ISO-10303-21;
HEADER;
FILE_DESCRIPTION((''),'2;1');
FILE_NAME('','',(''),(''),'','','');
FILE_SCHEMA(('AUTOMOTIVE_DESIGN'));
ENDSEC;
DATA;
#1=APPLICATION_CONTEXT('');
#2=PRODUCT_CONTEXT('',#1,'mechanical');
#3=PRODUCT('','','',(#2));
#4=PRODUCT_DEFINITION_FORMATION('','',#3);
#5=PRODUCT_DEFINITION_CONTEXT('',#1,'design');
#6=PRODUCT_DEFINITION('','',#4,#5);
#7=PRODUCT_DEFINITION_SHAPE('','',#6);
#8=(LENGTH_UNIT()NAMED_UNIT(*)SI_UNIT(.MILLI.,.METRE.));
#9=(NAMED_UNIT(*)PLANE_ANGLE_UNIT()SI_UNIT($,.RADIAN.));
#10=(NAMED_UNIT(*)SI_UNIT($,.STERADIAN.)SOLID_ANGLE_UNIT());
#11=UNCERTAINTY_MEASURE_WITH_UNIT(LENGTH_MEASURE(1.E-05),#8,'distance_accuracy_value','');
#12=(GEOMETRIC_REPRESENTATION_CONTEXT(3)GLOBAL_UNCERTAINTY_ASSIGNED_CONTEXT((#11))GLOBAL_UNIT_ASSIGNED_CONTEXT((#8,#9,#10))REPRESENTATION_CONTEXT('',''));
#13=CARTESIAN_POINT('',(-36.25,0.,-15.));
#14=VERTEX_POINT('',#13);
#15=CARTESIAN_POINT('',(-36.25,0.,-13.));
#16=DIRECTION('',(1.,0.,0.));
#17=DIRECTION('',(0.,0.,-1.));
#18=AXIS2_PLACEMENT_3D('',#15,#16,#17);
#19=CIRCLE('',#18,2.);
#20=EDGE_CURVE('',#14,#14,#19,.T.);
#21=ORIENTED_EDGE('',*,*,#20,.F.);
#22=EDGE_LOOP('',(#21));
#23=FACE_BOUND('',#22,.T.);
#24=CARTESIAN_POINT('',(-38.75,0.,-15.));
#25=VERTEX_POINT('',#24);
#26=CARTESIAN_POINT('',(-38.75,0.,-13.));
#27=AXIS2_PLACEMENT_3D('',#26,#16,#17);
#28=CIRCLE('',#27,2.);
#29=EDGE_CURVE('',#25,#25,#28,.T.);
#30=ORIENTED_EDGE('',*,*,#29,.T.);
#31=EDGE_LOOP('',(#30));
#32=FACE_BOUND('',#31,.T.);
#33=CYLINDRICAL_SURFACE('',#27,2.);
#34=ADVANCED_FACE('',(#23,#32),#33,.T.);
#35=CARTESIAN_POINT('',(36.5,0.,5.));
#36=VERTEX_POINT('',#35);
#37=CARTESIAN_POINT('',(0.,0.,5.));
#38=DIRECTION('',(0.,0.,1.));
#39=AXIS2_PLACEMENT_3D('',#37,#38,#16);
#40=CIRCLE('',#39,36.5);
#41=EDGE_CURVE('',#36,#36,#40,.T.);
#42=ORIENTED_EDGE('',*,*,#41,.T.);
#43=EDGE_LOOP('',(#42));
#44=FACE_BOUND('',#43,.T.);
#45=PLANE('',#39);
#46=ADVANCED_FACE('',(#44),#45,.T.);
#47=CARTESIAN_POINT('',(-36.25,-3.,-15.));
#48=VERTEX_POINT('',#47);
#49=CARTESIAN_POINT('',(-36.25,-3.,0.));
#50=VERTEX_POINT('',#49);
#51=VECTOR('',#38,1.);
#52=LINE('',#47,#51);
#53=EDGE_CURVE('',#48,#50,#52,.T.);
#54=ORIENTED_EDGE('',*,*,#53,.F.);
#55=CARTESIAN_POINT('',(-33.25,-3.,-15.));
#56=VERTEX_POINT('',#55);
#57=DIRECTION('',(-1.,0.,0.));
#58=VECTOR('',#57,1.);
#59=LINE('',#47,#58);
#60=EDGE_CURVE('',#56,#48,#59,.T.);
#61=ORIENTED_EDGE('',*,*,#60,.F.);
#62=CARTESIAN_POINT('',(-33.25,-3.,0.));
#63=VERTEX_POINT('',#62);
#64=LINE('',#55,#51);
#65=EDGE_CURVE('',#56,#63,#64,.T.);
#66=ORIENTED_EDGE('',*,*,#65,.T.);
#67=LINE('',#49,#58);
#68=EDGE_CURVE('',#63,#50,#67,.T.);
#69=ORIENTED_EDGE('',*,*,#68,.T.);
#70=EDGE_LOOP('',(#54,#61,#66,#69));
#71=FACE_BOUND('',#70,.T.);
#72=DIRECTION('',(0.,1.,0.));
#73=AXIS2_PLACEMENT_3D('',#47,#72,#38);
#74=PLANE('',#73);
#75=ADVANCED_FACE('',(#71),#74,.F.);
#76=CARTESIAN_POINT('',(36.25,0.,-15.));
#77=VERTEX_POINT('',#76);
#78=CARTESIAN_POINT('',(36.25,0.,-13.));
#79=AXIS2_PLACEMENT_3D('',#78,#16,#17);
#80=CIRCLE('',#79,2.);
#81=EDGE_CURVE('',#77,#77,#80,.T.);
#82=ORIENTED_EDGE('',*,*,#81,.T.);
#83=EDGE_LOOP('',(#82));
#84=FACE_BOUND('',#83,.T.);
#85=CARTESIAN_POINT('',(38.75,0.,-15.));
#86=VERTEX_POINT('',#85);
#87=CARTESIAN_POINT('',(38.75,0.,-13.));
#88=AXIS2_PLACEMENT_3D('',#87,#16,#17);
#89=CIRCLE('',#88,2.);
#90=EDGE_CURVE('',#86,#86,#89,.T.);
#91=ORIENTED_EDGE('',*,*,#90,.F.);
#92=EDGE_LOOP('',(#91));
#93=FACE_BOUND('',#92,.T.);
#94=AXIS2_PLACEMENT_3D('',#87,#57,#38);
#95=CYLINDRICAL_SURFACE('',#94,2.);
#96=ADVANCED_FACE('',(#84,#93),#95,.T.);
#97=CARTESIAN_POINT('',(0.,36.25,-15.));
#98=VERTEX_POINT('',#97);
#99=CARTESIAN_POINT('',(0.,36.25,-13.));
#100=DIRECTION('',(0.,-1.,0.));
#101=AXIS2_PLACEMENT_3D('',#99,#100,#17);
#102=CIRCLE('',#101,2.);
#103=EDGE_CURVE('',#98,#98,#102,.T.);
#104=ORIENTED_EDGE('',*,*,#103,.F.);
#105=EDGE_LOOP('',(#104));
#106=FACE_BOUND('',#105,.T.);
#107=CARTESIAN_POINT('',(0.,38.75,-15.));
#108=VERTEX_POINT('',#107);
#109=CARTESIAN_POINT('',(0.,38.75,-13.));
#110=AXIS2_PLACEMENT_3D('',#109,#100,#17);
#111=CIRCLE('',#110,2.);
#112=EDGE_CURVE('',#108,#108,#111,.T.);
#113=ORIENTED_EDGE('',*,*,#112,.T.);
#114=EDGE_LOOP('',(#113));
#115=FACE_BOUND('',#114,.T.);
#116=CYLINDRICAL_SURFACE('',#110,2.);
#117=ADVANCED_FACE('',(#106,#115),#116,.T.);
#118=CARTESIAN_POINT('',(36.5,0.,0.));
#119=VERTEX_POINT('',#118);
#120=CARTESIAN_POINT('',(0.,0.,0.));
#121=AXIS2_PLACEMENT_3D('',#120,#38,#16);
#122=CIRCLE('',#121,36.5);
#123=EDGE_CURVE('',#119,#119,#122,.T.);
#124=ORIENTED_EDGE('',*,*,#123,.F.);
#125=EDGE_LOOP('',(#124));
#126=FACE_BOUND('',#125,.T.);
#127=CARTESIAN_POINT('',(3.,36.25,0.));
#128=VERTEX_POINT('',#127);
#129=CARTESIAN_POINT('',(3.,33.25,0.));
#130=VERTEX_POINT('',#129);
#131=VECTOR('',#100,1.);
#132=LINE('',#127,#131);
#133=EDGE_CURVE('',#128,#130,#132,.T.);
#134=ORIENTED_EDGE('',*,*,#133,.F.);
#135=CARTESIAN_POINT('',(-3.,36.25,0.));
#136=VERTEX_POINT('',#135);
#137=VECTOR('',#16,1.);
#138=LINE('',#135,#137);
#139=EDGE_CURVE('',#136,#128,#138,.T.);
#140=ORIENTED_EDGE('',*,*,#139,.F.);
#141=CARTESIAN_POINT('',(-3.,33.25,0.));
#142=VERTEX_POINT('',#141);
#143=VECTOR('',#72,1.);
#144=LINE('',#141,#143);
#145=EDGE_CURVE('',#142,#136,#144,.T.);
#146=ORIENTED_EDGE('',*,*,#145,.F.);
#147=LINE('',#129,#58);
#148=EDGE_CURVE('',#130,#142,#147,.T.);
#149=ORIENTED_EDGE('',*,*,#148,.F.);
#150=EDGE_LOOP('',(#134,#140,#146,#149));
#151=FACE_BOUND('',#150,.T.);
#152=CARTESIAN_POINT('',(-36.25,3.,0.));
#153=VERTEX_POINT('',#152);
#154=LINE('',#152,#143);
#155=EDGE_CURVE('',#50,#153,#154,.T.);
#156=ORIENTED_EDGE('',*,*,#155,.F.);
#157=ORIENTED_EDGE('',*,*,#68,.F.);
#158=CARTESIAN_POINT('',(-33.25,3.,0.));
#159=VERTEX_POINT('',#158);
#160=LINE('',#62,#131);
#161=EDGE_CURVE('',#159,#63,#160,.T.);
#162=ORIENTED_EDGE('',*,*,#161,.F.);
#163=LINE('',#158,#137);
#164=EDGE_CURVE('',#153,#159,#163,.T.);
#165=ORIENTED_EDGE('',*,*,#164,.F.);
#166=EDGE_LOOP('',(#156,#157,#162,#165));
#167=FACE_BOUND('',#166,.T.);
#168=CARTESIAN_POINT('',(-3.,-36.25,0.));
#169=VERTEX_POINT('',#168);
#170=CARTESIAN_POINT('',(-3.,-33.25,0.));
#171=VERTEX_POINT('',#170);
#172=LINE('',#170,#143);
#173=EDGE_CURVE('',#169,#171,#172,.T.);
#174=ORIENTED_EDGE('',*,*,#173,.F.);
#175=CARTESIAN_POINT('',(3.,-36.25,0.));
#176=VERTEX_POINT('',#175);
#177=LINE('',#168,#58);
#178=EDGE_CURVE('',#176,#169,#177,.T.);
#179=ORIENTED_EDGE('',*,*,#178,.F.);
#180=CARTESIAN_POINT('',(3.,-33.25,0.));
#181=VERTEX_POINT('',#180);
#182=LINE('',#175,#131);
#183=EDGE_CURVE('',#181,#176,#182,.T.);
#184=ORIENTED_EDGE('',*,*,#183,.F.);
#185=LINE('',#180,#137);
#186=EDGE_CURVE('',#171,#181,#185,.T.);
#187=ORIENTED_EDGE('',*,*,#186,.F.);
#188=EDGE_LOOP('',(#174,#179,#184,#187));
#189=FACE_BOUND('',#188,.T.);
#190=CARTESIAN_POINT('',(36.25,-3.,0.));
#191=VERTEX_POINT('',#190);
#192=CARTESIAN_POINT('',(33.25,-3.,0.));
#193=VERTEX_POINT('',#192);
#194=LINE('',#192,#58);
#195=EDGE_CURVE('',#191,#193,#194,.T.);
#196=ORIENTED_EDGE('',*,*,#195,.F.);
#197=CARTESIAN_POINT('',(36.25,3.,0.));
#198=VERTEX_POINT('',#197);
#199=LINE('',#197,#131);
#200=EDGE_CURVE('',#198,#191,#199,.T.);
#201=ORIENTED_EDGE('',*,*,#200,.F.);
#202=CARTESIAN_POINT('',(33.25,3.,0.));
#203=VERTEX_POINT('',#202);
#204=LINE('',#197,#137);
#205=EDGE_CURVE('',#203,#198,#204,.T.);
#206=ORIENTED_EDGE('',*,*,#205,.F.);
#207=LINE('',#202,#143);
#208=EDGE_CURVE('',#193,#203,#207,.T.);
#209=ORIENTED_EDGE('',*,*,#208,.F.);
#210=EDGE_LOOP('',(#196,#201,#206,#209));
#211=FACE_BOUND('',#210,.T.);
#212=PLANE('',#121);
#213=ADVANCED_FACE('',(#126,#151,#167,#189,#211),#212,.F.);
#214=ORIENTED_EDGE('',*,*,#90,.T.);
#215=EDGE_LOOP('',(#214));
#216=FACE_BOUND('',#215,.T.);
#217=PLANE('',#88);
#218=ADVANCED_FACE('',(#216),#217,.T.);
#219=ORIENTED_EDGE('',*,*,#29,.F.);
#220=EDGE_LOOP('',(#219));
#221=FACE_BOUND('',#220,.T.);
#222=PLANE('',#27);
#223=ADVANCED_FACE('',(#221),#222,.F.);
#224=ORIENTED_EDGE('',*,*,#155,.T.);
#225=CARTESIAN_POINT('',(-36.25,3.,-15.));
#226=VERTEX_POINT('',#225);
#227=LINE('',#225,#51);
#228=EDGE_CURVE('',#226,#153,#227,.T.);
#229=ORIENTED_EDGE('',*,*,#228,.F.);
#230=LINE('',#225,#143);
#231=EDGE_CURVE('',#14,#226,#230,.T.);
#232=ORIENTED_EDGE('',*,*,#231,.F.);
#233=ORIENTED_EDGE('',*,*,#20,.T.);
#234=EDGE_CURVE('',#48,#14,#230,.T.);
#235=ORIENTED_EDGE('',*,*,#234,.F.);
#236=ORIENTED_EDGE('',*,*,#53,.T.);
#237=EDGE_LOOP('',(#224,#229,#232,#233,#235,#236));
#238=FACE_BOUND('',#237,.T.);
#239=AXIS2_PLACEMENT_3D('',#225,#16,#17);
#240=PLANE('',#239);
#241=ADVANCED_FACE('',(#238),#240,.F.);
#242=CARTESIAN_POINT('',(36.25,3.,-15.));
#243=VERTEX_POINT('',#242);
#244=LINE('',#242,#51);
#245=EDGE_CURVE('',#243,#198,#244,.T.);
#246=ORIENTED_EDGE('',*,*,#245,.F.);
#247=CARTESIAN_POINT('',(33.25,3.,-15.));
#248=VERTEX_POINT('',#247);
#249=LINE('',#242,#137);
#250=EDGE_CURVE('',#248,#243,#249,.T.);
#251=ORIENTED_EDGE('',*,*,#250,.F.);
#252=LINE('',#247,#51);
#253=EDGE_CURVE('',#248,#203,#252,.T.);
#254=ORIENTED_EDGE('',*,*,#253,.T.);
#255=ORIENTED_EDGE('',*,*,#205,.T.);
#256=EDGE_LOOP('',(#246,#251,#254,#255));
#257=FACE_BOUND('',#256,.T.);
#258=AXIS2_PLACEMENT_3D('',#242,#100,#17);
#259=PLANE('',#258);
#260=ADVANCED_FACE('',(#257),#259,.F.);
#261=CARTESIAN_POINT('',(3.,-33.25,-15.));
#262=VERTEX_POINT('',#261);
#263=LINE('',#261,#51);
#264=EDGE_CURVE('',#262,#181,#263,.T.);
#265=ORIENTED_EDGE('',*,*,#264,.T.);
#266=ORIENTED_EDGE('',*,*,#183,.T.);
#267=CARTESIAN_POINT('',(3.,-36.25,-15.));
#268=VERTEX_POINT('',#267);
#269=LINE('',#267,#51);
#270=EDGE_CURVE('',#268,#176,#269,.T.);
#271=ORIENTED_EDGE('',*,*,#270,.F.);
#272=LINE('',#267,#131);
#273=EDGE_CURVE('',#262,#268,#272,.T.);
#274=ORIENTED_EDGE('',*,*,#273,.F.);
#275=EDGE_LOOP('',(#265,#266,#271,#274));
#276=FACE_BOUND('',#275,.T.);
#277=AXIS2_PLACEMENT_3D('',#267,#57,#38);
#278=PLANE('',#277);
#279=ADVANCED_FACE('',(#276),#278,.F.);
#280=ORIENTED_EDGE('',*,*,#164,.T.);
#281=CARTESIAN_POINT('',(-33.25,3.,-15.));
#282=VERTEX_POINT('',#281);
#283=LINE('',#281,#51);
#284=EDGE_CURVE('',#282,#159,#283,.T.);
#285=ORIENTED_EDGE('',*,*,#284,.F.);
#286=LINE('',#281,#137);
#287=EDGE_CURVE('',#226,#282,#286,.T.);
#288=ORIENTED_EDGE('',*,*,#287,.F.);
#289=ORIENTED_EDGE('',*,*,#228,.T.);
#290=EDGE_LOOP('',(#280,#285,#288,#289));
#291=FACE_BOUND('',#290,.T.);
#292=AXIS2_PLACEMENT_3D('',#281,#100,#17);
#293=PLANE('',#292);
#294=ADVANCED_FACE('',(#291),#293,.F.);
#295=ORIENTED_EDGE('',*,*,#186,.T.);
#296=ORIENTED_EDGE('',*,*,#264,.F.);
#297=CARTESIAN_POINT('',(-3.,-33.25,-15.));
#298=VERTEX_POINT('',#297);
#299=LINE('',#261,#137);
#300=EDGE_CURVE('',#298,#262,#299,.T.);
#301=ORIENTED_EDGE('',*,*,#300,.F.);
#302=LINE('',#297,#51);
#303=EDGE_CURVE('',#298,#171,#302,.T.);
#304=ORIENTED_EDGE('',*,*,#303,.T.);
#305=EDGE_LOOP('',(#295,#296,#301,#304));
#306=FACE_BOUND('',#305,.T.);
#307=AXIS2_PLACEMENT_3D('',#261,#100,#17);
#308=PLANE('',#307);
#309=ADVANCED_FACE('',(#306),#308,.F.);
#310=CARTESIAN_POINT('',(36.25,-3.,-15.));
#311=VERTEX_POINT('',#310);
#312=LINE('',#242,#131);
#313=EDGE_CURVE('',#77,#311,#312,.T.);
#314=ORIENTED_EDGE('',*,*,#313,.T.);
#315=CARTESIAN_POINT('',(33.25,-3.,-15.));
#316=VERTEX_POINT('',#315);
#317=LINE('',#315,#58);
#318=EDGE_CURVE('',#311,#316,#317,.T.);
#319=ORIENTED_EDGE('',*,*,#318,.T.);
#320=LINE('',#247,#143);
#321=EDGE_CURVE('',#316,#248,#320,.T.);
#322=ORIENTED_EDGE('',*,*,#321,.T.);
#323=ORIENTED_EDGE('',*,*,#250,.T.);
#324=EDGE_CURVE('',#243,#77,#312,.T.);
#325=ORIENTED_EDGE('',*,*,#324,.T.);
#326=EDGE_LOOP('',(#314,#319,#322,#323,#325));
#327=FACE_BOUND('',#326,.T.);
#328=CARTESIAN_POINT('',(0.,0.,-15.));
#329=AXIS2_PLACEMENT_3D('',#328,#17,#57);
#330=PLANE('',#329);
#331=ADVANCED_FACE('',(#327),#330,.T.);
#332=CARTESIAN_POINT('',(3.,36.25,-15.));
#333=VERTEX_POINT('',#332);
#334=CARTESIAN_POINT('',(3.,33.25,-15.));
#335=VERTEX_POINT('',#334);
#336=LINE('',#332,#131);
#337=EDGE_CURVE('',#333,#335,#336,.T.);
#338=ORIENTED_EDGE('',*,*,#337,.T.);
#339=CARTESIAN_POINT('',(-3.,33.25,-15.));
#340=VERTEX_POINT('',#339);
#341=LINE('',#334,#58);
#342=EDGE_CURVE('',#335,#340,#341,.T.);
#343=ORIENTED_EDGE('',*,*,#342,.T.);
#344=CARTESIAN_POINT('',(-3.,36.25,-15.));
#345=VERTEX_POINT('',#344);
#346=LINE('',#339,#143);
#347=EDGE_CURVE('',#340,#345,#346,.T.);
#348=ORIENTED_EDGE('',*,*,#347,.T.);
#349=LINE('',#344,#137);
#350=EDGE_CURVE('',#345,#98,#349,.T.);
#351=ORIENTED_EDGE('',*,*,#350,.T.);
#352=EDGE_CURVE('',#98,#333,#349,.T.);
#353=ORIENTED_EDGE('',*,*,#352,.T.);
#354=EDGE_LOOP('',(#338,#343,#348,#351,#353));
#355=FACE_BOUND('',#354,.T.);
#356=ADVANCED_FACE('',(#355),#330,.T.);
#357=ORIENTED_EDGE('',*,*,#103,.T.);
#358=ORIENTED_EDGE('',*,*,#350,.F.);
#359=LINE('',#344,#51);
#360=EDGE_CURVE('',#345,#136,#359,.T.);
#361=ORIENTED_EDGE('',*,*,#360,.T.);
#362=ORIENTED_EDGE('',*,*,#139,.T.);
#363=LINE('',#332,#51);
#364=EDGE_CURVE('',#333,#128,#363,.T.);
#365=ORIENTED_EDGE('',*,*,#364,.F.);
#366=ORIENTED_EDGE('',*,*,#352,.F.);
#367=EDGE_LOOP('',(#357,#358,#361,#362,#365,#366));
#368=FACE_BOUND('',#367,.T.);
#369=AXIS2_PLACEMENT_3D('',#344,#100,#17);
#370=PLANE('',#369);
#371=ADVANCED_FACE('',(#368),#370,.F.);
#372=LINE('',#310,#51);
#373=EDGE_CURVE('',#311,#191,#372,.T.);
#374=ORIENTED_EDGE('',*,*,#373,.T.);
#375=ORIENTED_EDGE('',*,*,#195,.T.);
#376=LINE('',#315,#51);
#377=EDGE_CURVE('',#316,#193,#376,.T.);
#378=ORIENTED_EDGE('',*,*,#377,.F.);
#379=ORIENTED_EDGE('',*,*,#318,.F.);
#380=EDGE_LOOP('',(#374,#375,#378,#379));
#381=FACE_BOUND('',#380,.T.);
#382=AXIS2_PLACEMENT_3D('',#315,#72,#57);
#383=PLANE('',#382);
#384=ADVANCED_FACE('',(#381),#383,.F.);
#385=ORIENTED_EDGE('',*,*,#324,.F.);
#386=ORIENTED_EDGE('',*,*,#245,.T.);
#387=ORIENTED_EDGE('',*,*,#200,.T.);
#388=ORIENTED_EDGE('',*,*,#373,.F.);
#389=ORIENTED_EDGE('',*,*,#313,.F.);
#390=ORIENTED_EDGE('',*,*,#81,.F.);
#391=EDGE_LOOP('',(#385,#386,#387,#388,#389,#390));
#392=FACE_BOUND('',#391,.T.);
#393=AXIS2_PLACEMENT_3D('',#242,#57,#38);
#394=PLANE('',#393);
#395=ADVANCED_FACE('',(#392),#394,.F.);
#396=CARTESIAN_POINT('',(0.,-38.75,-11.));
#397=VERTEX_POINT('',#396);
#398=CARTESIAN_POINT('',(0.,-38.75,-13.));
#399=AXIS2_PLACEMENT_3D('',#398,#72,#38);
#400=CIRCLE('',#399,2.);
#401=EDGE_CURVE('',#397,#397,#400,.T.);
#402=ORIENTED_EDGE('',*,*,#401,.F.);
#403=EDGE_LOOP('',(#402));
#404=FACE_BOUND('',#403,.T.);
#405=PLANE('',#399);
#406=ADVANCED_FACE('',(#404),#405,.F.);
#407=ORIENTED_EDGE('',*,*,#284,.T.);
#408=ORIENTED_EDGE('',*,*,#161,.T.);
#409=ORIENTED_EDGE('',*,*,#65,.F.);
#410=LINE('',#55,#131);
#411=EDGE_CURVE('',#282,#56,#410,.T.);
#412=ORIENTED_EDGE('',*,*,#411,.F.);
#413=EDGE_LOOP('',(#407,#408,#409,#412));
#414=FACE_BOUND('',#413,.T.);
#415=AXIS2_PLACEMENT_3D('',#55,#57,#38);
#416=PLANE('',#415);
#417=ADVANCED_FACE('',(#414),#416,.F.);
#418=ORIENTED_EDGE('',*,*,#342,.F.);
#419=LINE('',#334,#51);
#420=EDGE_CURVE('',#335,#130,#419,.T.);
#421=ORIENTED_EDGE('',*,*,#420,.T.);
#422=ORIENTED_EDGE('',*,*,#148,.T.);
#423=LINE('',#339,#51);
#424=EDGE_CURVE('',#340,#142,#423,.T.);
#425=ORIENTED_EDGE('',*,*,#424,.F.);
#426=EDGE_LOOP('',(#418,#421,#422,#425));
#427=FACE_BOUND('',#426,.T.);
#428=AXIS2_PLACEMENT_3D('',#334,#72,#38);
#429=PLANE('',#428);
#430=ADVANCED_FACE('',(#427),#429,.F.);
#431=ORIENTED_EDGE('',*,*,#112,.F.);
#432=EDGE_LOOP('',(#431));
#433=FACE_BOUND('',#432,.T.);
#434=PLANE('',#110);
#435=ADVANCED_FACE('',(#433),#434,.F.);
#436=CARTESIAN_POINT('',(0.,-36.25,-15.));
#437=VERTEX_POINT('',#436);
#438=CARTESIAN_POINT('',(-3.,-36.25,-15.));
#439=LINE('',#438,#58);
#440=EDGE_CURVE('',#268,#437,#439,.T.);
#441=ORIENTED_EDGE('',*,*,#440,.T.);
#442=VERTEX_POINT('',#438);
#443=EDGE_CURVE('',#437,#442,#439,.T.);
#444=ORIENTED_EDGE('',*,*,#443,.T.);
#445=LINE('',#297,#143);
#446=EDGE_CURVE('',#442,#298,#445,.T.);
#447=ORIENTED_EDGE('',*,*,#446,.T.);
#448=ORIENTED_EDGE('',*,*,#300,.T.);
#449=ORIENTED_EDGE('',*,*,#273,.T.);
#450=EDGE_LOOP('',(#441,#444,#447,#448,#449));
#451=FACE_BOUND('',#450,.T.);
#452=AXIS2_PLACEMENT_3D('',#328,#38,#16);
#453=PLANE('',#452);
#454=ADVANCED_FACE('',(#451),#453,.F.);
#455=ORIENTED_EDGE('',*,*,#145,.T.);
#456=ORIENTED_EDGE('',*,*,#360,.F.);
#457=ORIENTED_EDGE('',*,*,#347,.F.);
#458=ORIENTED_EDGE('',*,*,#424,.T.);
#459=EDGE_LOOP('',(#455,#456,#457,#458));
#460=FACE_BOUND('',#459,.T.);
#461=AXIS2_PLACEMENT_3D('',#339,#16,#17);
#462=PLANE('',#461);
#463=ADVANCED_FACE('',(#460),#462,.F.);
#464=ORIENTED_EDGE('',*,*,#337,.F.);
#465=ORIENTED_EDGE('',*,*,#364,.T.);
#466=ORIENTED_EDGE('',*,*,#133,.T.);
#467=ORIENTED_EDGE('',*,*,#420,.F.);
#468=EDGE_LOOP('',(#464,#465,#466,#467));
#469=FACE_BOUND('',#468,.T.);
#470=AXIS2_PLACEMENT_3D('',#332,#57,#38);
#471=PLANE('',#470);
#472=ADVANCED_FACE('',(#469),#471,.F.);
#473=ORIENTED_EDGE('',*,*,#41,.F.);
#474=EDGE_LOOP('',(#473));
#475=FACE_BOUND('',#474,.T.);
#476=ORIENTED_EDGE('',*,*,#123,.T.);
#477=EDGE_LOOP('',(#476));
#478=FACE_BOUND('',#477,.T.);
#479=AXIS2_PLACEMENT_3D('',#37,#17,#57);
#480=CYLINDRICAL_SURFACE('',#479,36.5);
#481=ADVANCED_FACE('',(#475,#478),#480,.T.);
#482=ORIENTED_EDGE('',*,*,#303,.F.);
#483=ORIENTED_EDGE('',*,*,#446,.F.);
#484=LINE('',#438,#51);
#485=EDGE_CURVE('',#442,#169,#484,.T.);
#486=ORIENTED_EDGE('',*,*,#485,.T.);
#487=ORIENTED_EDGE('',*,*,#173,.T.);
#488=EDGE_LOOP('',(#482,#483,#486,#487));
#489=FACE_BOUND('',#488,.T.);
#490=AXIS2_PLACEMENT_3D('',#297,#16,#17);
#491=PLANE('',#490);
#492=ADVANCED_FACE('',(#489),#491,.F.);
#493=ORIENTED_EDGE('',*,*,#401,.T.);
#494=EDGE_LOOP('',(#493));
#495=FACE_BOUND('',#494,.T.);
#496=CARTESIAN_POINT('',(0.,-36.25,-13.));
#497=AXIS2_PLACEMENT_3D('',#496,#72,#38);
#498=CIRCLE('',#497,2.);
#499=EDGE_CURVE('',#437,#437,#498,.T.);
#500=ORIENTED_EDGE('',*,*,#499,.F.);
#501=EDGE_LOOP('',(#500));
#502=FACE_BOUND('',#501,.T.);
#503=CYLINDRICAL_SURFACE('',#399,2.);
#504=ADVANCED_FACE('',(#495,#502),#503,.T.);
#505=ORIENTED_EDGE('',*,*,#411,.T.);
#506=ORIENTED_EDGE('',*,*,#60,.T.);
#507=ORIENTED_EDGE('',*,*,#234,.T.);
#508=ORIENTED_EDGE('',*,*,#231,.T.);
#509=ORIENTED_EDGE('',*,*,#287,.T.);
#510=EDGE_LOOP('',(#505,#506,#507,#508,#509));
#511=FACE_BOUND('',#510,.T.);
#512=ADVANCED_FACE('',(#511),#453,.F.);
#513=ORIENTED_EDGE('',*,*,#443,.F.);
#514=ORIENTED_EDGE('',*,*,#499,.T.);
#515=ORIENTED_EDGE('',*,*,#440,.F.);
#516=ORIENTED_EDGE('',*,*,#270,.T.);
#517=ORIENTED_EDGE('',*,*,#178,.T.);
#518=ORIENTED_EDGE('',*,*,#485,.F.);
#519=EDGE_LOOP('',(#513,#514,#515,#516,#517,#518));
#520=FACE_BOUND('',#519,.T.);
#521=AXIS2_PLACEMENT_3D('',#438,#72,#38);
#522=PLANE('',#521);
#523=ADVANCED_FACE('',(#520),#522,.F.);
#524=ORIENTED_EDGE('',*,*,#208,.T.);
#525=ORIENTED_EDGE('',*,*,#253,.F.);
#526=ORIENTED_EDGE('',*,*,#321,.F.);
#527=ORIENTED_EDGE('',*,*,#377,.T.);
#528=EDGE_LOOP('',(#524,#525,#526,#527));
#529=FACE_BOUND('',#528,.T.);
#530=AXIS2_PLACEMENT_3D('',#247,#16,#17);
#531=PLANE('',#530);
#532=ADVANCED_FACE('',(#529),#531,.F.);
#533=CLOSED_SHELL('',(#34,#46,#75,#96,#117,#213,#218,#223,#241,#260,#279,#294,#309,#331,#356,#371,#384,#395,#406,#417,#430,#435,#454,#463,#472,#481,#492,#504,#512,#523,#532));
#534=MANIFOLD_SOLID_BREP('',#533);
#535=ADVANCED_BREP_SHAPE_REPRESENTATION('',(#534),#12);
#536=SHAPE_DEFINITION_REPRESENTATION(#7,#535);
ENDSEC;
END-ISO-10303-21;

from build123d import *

# Parameters (mm, degrees)
SKETCH1_R            = 36.5
BOSS_EXTRUDE1_DEPTH  = 5
SKETCH4_W            = 3
SKETCH4_H            = 6
SKETCH4_W_2          = 6
SKETCH4_H_2          = 3
BOSS_EXTRUDE4_DEPTH  = 15
SKETCH6_R            = 2
BOSS_EXTRUDE6_DEPTH  = 2.5
SKETCH7_R            = 2
BOSS_EXTRUDE8_DEPTH  = 2.5
BOSS_EXTRUDE9_START  = -2.5
SKETCH9_R            = 2
BOSS_EXTRUDE9_DEPTH  = 2.5
BOSS_EXTRUDE10_START = -2.5
SKETCH10_R           = 2
BOSS_EXTRUDE10_DEPTH = 2.5


with BuildPart() as part:
    # Sketch1 → Boss-Extrude1 (new body)
    with BuildSketch(Plane.XY):
        Circle(SKETCH1_R)
    extrude(amount=BOSS_EXTRUDE1_DEPTH)

    # Sketch4 → Boss-Extrude4 (add)
    with BuildSketch(Plane(origin=(0, 0, 0), x_dir=(-1, 0, 0), z_dir=(0, 0, -1))):
        with Locations((-34.75, 0)):
            Rectangle(SKETCH4_W, SKETCH4_H)
        with Locations((34.75, 0)):
            Rectangle(SKETCH4_W, SKETCH4_H)
        with Locations((0, 34.75)):
            Rectangle(SKETCH4_W_2, SKETCH4_H_2)
        with Locations((0, -34.75)):
            Rectangle(SKETCH4_W_2, SKETCH4_H_2)
    extrude(amount=BOSS_EXTRUDE4_DEPTH)

    # Sketch6 → Boss-Extrude6 (add)
    with BuildSketch(Plane(origin=(36.25, 0, 0), x_dir=(0, 0, -1), z_dir=(1, 0, 0))):
        with Locations((13, 0)):
            Circle(SKETCH6_R)
    extrude(amount=BOSS_EXTRUDE6_DEPTH)

    # Sketch7 → Boss-Extrude8 (add)
    with BuildSketch(Plane(origin=(0, -36.25, -62.5), x_dir=(1, 0, 0), z_dir=(0, 1, 0))):
        with Locations(Location((0, -49.5, 0), (0, 0, 270))):
            Circle(SKETCH7_R)
    extrude(amount=-BOSS_EXTRUDE8_DEPTH)

    # Sketch9 → Boss-Extrude9 (add)
    with BuildSketch(Plane(origin=(-36.25, 0, -62.5), x_dir=(0, 0, -1), z_dir=(1, 0, 0)).offset(BOSS_EXTRUDE9_START)):
        with Locations((-49.5, 0)):
            Circle(SKETCH9_R)
    extrude(amount=BOSS_EXTRUDE9_DEPTH)

    # Sketch10 → Boss-Extrude10 (add)
    with BuildSketch(Plane(origin=(0, 36.25, 0), x_dir=(-1, 0, 0), z_dir=(0, -1, 0)).offset(BOSS_EXTRUDE10_START)):
        with Locations(Location((0, 13, 0), (0, 0, 270))):
            Circle(SKETCH10_R)
    extrude(amount=BOSS_EXTRUDE10_DEPTH)


solid = part.part
